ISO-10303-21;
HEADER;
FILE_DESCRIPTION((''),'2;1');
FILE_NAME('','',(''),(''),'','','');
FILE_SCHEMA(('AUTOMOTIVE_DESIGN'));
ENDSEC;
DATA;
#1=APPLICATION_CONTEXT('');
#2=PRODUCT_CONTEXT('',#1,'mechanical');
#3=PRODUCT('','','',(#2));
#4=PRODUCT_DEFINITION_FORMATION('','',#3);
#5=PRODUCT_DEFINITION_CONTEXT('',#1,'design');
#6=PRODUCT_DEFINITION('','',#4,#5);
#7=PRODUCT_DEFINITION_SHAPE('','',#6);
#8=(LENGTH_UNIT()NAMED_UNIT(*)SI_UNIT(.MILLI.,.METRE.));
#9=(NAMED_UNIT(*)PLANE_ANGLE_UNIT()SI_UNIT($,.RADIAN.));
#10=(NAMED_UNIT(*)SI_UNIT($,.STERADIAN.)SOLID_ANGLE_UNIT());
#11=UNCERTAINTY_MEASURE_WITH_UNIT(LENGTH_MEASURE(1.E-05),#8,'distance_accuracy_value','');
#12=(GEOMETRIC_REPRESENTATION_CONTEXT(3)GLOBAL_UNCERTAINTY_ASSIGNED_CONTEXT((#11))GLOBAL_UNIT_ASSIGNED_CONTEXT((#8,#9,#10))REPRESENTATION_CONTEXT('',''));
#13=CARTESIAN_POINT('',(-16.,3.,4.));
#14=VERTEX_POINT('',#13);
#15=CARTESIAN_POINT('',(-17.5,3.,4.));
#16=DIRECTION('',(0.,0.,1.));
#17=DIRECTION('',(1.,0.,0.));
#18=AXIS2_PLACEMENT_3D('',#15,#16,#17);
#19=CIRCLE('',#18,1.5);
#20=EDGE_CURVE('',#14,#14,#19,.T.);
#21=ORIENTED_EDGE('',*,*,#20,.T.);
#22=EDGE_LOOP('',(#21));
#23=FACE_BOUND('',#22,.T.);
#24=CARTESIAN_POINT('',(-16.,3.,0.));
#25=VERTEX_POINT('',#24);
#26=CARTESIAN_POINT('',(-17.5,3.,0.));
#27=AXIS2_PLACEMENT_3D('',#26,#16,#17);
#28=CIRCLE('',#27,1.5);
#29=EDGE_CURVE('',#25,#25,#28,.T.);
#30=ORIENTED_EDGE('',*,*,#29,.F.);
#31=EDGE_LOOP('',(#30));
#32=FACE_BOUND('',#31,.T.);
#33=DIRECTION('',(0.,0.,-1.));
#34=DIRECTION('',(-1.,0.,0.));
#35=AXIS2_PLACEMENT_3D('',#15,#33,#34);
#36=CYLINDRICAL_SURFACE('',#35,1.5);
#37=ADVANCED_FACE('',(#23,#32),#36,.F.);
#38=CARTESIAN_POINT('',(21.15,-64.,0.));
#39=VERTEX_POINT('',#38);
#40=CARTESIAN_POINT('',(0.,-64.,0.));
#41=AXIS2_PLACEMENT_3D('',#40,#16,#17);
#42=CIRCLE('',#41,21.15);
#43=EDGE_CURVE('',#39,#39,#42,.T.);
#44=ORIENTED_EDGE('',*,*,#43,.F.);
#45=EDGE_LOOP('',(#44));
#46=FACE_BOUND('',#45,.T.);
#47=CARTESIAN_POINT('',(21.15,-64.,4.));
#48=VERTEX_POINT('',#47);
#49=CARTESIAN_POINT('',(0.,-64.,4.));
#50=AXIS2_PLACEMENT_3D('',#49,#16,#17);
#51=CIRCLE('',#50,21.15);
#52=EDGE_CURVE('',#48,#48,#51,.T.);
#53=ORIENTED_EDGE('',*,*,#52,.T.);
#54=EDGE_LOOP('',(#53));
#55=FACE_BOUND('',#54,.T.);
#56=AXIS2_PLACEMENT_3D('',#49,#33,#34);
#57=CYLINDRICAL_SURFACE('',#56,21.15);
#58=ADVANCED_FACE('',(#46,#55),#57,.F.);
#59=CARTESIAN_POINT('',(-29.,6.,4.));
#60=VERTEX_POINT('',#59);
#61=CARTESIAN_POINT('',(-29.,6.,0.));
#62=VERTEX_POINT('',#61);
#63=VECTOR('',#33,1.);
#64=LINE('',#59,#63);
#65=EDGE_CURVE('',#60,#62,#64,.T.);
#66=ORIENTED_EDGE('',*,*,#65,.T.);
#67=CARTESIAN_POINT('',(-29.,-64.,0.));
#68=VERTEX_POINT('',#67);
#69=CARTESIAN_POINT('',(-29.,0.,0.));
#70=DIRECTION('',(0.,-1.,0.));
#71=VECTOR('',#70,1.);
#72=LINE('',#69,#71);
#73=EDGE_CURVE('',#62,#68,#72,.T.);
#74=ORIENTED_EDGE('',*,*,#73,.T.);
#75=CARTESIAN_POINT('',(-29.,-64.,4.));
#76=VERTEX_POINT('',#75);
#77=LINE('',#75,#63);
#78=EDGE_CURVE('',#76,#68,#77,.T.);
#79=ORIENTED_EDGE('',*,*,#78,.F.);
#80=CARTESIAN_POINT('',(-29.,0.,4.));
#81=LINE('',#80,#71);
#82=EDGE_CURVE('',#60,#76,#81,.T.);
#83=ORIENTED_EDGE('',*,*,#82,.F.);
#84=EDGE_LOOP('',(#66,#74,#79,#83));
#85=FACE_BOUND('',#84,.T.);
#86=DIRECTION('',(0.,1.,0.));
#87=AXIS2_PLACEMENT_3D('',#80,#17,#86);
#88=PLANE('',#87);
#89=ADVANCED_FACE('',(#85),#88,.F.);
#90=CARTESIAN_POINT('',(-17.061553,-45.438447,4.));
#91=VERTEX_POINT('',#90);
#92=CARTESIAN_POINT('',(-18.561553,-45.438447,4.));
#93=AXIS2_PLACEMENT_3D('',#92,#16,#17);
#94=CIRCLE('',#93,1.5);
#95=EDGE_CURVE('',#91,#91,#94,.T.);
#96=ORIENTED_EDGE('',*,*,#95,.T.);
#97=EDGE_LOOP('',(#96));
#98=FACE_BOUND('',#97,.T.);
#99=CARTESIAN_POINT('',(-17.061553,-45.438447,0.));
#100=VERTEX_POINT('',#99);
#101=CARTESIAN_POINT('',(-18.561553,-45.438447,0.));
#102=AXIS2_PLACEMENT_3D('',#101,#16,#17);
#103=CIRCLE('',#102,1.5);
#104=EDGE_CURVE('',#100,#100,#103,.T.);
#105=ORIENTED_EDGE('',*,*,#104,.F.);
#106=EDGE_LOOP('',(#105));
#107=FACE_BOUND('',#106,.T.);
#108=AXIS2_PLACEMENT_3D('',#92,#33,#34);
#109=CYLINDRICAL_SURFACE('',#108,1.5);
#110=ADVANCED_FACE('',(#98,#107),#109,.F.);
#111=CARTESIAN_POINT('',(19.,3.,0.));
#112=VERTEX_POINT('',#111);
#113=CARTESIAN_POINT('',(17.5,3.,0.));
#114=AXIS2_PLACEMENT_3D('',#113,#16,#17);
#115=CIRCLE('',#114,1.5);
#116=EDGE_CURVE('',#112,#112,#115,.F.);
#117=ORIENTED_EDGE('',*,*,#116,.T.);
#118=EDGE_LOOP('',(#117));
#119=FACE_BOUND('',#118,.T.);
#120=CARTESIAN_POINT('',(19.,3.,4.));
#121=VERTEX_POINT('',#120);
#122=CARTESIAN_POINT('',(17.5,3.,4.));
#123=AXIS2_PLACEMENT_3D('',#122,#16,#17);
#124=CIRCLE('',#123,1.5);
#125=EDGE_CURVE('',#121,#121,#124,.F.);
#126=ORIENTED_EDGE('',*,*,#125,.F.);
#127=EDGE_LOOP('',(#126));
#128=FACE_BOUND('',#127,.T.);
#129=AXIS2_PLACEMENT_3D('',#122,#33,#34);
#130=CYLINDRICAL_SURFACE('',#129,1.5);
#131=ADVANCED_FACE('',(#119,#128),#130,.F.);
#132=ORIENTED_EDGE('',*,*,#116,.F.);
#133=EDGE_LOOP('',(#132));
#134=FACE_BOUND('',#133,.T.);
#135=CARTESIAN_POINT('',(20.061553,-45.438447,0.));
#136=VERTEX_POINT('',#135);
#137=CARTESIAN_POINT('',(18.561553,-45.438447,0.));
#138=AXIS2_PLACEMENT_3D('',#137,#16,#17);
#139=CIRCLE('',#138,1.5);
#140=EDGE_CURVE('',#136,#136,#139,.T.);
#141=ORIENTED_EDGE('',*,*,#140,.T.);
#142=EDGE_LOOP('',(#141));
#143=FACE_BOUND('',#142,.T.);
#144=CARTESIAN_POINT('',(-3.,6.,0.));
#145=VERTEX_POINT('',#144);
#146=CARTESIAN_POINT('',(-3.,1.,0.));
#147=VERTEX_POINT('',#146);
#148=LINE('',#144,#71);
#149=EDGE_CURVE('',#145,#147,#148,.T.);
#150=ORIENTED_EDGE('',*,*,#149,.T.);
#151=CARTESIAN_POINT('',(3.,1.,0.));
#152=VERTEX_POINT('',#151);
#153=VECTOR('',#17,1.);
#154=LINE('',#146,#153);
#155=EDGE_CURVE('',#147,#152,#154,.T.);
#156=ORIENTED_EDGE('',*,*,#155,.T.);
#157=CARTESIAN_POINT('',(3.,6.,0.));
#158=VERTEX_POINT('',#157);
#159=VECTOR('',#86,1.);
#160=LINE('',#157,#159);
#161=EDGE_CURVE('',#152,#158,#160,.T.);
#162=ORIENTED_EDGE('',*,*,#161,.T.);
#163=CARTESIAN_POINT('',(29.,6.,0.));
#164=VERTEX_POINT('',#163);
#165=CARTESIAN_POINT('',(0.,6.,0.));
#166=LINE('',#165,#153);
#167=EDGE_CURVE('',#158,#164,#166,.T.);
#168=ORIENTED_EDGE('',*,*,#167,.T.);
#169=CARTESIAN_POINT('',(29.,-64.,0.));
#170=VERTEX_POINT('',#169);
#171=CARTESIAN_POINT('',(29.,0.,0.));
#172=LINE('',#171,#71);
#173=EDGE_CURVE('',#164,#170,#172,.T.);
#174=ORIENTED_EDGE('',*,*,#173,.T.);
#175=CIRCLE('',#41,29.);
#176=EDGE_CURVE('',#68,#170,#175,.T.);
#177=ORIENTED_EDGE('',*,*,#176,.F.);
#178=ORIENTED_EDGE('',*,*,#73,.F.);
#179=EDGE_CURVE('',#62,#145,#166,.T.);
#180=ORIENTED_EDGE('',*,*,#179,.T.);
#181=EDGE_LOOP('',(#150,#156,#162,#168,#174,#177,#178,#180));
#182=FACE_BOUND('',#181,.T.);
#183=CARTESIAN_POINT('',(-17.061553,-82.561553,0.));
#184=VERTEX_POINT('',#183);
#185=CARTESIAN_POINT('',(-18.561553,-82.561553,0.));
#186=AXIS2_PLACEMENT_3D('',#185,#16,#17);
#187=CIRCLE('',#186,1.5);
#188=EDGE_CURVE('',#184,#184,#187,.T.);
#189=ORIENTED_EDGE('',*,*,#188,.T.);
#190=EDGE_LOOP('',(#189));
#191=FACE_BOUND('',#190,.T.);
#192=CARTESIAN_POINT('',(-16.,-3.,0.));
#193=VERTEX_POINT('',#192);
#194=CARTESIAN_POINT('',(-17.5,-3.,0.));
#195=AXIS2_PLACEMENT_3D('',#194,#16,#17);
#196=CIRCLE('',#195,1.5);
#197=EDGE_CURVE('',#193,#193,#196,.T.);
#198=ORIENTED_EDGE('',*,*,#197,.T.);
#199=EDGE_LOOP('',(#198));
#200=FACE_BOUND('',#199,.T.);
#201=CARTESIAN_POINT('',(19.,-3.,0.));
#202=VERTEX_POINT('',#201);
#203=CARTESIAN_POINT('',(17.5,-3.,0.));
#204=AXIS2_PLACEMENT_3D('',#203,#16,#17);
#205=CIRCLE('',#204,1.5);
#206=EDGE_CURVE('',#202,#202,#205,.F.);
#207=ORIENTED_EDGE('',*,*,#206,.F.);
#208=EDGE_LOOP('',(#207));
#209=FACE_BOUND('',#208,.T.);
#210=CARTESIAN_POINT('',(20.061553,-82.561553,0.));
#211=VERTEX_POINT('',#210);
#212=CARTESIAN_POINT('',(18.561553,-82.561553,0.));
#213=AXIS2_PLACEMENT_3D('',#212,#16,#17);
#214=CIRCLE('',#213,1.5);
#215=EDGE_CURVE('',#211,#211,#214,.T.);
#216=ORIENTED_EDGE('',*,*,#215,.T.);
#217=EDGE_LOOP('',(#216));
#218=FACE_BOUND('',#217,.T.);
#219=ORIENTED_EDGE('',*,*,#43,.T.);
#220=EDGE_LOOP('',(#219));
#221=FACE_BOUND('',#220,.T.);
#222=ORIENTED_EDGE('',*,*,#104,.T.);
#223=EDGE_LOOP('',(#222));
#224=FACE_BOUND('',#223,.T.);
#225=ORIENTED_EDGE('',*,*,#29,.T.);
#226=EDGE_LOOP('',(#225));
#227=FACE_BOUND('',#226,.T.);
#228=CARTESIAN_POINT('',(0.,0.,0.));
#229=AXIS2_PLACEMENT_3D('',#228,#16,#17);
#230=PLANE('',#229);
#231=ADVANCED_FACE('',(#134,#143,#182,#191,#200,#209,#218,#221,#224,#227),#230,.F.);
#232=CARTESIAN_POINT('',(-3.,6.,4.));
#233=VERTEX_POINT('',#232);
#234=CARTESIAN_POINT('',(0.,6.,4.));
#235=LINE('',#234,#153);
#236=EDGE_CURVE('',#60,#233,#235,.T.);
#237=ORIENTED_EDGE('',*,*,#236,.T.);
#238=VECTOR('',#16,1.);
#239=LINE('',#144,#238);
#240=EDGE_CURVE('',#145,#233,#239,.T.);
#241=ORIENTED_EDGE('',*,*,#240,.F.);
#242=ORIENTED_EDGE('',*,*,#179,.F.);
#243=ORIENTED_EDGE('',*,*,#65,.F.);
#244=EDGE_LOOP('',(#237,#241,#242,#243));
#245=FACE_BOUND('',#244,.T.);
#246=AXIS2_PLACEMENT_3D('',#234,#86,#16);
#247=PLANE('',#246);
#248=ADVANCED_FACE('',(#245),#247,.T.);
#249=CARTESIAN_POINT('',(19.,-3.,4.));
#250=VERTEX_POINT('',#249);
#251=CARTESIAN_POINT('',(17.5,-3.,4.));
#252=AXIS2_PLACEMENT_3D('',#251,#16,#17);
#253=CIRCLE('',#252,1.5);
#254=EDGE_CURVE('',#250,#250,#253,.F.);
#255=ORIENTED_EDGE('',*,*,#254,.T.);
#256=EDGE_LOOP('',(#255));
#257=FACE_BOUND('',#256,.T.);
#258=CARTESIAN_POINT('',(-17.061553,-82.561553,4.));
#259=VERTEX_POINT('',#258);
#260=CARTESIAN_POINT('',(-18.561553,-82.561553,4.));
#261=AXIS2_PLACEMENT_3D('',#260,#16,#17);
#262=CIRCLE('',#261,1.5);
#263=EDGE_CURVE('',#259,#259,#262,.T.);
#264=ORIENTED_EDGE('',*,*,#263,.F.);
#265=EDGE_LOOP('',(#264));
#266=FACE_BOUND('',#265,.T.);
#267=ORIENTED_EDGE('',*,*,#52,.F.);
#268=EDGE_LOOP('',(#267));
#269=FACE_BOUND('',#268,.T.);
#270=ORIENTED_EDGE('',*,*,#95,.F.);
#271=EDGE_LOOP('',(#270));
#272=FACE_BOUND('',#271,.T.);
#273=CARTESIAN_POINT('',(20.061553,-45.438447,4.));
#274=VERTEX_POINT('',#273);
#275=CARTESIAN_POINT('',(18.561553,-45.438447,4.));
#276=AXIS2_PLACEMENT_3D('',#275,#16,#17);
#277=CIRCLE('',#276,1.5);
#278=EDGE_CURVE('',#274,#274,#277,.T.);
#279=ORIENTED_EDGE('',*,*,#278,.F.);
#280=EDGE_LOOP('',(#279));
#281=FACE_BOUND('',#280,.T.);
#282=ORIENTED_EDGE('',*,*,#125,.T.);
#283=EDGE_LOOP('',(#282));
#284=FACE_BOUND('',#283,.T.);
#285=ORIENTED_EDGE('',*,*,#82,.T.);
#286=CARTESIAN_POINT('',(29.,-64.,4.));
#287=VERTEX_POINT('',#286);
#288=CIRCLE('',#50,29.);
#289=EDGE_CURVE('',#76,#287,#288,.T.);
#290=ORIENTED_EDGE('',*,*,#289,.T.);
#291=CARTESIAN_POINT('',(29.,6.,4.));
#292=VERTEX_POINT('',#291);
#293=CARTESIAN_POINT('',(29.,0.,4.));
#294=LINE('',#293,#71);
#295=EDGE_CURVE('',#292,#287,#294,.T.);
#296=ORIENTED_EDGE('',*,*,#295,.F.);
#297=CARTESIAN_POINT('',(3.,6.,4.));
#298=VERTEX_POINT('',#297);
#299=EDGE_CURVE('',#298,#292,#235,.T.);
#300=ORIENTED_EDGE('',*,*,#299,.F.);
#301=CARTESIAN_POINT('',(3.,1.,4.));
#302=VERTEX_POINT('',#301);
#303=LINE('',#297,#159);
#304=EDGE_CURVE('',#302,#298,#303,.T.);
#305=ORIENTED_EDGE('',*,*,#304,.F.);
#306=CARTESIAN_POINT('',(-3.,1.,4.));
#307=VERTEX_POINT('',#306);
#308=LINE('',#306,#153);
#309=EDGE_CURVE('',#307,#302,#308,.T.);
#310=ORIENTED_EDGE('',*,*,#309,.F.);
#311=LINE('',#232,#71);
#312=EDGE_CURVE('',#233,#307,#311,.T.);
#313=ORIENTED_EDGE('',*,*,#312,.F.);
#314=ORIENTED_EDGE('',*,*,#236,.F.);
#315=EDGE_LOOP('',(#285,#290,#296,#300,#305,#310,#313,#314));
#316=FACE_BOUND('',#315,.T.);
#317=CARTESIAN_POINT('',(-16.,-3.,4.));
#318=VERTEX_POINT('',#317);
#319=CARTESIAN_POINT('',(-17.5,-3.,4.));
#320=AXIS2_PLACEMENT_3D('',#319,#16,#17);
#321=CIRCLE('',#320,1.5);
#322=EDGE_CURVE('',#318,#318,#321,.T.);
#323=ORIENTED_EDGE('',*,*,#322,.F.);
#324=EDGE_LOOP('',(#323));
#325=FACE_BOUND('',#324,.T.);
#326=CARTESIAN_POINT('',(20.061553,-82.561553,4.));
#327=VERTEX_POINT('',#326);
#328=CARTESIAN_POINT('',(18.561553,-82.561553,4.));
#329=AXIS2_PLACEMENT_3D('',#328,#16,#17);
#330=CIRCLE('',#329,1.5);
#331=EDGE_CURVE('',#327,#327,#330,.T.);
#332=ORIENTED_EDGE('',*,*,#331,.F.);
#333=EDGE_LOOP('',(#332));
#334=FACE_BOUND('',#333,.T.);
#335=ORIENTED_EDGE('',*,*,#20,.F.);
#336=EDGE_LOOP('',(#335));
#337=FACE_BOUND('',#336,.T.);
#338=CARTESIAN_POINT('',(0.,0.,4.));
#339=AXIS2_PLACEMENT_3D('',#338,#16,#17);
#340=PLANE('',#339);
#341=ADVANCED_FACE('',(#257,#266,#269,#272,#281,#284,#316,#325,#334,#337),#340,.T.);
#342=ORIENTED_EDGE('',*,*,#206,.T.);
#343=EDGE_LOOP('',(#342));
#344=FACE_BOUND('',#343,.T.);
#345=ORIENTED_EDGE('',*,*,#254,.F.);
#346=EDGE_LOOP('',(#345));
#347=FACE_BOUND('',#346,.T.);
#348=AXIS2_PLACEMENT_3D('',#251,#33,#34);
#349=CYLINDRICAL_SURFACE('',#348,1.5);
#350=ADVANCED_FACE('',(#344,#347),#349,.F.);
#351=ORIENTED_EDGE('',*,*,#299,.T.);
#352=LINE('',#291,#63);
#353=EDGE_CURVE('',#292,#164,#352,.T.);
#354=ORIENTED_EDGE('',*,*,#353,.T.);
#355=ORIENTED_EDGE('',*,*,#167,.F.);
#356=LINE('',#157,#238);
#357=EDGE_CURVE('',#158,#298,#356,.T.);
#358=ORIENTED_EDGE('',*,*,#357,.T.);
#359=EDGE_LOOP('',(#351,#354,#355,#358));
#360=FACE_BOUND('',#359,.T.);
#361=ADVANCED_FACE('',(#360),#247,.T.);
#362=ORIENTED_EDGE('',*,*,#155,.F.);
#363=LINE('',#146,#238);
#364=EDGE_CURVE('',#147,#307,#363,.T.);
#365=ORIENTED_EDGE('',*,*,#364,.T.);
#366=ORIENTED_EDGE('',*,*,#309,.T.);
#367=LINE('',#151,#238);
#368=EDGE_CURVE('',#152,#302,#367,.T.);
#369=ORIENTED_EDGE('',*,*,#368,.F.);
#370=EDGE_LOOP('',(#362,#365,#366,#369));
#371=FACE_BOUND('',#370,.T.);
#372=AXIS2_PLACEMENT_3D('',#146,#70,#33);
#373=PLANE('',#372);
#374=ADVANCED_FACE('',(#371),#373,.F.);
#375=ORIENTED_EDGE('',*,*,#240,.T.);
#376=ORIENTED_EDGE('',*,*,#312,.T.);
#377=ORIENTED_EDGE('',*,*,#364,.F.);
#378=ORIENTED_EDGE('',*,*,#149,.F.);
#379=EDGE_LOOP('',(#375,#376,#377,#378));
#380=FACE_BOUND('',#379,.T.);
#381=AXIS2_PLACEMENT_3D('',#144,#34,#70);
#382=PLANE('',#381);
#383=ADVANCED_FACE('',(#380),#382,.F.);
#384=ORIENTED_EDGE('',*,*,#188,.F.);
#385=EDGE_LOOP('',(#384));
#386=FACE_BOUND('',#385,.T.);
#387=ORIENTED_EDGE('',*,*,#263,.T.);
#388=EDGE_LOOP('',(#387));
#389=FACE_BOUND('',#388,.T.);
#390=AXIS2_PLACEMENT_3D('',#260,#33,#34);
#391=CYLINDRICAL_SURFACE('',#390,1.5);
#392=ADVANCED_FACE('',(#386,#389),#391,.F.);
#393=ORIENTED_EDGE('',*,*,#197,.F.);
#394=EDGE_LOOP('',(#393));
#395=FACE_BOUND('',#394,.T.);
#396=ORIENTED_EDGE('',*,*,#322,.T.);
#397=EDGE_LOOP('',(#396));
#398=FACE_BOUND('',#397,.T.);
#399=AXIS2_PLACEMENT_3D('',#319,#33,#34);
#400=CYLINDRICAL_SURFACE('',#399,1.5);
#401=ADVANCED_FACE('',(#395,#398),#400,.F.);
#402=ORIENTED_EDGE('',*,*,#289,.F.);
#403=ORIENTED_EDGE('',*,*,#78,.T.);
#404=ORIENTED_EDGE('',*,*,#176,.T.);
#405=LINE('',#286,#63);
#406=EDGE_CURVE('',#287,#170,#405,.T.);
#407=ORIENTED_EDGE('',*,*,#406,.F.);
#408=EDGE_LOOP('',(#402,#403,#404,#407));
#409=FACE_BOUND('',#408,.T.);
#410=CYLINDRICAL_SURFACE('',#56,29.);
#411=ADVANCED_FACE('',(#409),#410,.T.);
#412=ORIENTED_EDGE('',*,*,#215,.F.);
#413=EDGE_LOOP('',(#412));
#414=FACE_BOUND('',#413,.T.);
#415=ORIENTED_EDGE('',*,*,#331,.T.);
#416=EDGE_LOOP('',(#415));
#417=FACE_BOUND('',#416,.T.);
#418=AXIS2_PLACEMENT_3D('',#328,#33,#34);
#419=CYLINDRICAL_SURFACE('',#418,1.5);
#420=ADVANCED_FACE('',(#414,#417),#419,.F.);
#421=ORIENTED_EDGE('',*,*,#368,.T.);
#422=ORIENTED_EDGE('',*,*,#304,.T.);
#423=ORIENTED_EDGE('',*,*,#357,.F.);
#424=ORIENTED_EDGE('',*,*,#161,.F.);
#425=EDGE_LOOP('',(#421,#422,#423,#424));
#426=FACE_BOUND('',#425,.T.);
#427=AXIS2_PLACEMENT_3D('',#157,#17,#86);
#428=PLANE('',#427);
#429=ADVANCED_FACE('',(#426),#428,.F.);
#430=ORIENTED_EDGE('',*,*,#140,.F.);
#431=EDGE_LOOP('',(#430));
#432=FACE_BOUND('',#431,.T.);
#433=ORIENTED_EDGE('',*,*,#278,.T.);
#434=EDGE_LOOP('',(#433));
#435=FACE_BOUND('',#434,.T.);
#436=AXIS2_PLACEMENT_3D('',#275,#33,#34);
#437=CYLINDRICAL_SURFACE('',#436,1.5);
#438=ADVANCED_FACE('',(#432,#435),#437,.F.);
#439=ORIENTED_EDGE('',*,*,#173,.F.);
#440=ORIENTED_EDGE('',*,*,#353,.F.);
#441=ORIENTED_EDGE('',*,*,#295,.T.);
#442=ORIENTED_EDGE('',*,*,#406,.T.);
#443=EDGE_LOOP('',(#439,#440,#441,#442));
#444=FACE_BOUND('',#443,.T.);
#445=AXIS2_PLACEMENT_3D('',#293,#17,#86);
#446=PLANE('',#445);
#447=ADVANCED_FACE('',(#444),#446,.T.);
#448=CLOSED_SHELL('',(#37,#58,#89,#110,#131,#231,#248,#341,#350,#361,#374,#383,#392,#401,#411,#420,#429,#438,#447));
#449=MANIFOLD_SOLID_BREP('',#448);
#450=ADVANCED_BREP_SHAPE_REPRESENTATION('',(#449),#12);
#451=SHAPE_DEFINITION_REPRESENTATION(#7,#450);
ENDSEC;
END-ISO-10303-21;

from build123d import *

# Parameters (mm, degrees)
SKETCH_1_R          = 21.15
SKETCH_1_R_2        = 1.5
EXTRUDE_1_DEPTH     = 4
SKETCH_2_W          = 6
SKETCH_2_H          = 5
CUT_EXTRUDE_1_DEPTH = 98.49871794


with BuildPart() as part:
    # 草图1 → 凸台-拉伸1 (new body)
    with BuildSketch(Plane.XY):
        with BuildLine():
            Line((-29, 6), (29, 6))
            Line((29, 6), (29, -64))
            ThreePointArc((29, -64), (0, -93), (-29, -64))
            Line((-29, -64), (-29, 6))
        make_face()
        with Locations((0, -64)):
            Circle(SKETCH_1_R, mode=Mode.SUBTRACT)
        with Locations((-17.5, 3)):
            Circle(SKETCH_1_R_2, mode=Mode.SUBTRACT)
        with Locations((17.5, 3)):
            Circle(SKETCH_1_R_2, mode=Mode.SUBTRACT)
        with Locations((18.561553006, -82.561553006)):
            Circle(SKETCH_1_R_2, mode=Mode.SUBTRACT)
        with Locations((-18.561553006, -82.561553006)):
            Circle(SKETCH_1_R_2, mode=Mode.SUBTRACT)
        with Locations((-18.561553006, -45.438446994)):
            Circle(SKETCH_1_R_2, mode=Mode.SUBTRACT)
        with Locations((18.561553006, -45.438446994)):
            Circle(SKETCH_1_R_2, mode=Mode.SUBTRACT)
        with Locations((-17.5, -3)):
            Circle(SKETCH_1_R_2, mode=Mode.SUBTRACT)
        with Locations((17.5, -3)):
            Circle(SKETCH_1_R_2, mode=Mode.SUBTRACT)
    extrude(amount=EXTRUDE_1_DEPTH)

    # 草图2 → 切除-拉伸1 (cut, through all)
    with BuildSketch(Plane.XY.offset(4)):
        with Locations((0, 3.5)):
            Rectangle(SKETCH_2_W, SKETCH_2_H)
    extrude(amount=-CUT_EXTRUDE_1_DEPTH, mode=Mode.SUBTRACT)


solid = part.part
